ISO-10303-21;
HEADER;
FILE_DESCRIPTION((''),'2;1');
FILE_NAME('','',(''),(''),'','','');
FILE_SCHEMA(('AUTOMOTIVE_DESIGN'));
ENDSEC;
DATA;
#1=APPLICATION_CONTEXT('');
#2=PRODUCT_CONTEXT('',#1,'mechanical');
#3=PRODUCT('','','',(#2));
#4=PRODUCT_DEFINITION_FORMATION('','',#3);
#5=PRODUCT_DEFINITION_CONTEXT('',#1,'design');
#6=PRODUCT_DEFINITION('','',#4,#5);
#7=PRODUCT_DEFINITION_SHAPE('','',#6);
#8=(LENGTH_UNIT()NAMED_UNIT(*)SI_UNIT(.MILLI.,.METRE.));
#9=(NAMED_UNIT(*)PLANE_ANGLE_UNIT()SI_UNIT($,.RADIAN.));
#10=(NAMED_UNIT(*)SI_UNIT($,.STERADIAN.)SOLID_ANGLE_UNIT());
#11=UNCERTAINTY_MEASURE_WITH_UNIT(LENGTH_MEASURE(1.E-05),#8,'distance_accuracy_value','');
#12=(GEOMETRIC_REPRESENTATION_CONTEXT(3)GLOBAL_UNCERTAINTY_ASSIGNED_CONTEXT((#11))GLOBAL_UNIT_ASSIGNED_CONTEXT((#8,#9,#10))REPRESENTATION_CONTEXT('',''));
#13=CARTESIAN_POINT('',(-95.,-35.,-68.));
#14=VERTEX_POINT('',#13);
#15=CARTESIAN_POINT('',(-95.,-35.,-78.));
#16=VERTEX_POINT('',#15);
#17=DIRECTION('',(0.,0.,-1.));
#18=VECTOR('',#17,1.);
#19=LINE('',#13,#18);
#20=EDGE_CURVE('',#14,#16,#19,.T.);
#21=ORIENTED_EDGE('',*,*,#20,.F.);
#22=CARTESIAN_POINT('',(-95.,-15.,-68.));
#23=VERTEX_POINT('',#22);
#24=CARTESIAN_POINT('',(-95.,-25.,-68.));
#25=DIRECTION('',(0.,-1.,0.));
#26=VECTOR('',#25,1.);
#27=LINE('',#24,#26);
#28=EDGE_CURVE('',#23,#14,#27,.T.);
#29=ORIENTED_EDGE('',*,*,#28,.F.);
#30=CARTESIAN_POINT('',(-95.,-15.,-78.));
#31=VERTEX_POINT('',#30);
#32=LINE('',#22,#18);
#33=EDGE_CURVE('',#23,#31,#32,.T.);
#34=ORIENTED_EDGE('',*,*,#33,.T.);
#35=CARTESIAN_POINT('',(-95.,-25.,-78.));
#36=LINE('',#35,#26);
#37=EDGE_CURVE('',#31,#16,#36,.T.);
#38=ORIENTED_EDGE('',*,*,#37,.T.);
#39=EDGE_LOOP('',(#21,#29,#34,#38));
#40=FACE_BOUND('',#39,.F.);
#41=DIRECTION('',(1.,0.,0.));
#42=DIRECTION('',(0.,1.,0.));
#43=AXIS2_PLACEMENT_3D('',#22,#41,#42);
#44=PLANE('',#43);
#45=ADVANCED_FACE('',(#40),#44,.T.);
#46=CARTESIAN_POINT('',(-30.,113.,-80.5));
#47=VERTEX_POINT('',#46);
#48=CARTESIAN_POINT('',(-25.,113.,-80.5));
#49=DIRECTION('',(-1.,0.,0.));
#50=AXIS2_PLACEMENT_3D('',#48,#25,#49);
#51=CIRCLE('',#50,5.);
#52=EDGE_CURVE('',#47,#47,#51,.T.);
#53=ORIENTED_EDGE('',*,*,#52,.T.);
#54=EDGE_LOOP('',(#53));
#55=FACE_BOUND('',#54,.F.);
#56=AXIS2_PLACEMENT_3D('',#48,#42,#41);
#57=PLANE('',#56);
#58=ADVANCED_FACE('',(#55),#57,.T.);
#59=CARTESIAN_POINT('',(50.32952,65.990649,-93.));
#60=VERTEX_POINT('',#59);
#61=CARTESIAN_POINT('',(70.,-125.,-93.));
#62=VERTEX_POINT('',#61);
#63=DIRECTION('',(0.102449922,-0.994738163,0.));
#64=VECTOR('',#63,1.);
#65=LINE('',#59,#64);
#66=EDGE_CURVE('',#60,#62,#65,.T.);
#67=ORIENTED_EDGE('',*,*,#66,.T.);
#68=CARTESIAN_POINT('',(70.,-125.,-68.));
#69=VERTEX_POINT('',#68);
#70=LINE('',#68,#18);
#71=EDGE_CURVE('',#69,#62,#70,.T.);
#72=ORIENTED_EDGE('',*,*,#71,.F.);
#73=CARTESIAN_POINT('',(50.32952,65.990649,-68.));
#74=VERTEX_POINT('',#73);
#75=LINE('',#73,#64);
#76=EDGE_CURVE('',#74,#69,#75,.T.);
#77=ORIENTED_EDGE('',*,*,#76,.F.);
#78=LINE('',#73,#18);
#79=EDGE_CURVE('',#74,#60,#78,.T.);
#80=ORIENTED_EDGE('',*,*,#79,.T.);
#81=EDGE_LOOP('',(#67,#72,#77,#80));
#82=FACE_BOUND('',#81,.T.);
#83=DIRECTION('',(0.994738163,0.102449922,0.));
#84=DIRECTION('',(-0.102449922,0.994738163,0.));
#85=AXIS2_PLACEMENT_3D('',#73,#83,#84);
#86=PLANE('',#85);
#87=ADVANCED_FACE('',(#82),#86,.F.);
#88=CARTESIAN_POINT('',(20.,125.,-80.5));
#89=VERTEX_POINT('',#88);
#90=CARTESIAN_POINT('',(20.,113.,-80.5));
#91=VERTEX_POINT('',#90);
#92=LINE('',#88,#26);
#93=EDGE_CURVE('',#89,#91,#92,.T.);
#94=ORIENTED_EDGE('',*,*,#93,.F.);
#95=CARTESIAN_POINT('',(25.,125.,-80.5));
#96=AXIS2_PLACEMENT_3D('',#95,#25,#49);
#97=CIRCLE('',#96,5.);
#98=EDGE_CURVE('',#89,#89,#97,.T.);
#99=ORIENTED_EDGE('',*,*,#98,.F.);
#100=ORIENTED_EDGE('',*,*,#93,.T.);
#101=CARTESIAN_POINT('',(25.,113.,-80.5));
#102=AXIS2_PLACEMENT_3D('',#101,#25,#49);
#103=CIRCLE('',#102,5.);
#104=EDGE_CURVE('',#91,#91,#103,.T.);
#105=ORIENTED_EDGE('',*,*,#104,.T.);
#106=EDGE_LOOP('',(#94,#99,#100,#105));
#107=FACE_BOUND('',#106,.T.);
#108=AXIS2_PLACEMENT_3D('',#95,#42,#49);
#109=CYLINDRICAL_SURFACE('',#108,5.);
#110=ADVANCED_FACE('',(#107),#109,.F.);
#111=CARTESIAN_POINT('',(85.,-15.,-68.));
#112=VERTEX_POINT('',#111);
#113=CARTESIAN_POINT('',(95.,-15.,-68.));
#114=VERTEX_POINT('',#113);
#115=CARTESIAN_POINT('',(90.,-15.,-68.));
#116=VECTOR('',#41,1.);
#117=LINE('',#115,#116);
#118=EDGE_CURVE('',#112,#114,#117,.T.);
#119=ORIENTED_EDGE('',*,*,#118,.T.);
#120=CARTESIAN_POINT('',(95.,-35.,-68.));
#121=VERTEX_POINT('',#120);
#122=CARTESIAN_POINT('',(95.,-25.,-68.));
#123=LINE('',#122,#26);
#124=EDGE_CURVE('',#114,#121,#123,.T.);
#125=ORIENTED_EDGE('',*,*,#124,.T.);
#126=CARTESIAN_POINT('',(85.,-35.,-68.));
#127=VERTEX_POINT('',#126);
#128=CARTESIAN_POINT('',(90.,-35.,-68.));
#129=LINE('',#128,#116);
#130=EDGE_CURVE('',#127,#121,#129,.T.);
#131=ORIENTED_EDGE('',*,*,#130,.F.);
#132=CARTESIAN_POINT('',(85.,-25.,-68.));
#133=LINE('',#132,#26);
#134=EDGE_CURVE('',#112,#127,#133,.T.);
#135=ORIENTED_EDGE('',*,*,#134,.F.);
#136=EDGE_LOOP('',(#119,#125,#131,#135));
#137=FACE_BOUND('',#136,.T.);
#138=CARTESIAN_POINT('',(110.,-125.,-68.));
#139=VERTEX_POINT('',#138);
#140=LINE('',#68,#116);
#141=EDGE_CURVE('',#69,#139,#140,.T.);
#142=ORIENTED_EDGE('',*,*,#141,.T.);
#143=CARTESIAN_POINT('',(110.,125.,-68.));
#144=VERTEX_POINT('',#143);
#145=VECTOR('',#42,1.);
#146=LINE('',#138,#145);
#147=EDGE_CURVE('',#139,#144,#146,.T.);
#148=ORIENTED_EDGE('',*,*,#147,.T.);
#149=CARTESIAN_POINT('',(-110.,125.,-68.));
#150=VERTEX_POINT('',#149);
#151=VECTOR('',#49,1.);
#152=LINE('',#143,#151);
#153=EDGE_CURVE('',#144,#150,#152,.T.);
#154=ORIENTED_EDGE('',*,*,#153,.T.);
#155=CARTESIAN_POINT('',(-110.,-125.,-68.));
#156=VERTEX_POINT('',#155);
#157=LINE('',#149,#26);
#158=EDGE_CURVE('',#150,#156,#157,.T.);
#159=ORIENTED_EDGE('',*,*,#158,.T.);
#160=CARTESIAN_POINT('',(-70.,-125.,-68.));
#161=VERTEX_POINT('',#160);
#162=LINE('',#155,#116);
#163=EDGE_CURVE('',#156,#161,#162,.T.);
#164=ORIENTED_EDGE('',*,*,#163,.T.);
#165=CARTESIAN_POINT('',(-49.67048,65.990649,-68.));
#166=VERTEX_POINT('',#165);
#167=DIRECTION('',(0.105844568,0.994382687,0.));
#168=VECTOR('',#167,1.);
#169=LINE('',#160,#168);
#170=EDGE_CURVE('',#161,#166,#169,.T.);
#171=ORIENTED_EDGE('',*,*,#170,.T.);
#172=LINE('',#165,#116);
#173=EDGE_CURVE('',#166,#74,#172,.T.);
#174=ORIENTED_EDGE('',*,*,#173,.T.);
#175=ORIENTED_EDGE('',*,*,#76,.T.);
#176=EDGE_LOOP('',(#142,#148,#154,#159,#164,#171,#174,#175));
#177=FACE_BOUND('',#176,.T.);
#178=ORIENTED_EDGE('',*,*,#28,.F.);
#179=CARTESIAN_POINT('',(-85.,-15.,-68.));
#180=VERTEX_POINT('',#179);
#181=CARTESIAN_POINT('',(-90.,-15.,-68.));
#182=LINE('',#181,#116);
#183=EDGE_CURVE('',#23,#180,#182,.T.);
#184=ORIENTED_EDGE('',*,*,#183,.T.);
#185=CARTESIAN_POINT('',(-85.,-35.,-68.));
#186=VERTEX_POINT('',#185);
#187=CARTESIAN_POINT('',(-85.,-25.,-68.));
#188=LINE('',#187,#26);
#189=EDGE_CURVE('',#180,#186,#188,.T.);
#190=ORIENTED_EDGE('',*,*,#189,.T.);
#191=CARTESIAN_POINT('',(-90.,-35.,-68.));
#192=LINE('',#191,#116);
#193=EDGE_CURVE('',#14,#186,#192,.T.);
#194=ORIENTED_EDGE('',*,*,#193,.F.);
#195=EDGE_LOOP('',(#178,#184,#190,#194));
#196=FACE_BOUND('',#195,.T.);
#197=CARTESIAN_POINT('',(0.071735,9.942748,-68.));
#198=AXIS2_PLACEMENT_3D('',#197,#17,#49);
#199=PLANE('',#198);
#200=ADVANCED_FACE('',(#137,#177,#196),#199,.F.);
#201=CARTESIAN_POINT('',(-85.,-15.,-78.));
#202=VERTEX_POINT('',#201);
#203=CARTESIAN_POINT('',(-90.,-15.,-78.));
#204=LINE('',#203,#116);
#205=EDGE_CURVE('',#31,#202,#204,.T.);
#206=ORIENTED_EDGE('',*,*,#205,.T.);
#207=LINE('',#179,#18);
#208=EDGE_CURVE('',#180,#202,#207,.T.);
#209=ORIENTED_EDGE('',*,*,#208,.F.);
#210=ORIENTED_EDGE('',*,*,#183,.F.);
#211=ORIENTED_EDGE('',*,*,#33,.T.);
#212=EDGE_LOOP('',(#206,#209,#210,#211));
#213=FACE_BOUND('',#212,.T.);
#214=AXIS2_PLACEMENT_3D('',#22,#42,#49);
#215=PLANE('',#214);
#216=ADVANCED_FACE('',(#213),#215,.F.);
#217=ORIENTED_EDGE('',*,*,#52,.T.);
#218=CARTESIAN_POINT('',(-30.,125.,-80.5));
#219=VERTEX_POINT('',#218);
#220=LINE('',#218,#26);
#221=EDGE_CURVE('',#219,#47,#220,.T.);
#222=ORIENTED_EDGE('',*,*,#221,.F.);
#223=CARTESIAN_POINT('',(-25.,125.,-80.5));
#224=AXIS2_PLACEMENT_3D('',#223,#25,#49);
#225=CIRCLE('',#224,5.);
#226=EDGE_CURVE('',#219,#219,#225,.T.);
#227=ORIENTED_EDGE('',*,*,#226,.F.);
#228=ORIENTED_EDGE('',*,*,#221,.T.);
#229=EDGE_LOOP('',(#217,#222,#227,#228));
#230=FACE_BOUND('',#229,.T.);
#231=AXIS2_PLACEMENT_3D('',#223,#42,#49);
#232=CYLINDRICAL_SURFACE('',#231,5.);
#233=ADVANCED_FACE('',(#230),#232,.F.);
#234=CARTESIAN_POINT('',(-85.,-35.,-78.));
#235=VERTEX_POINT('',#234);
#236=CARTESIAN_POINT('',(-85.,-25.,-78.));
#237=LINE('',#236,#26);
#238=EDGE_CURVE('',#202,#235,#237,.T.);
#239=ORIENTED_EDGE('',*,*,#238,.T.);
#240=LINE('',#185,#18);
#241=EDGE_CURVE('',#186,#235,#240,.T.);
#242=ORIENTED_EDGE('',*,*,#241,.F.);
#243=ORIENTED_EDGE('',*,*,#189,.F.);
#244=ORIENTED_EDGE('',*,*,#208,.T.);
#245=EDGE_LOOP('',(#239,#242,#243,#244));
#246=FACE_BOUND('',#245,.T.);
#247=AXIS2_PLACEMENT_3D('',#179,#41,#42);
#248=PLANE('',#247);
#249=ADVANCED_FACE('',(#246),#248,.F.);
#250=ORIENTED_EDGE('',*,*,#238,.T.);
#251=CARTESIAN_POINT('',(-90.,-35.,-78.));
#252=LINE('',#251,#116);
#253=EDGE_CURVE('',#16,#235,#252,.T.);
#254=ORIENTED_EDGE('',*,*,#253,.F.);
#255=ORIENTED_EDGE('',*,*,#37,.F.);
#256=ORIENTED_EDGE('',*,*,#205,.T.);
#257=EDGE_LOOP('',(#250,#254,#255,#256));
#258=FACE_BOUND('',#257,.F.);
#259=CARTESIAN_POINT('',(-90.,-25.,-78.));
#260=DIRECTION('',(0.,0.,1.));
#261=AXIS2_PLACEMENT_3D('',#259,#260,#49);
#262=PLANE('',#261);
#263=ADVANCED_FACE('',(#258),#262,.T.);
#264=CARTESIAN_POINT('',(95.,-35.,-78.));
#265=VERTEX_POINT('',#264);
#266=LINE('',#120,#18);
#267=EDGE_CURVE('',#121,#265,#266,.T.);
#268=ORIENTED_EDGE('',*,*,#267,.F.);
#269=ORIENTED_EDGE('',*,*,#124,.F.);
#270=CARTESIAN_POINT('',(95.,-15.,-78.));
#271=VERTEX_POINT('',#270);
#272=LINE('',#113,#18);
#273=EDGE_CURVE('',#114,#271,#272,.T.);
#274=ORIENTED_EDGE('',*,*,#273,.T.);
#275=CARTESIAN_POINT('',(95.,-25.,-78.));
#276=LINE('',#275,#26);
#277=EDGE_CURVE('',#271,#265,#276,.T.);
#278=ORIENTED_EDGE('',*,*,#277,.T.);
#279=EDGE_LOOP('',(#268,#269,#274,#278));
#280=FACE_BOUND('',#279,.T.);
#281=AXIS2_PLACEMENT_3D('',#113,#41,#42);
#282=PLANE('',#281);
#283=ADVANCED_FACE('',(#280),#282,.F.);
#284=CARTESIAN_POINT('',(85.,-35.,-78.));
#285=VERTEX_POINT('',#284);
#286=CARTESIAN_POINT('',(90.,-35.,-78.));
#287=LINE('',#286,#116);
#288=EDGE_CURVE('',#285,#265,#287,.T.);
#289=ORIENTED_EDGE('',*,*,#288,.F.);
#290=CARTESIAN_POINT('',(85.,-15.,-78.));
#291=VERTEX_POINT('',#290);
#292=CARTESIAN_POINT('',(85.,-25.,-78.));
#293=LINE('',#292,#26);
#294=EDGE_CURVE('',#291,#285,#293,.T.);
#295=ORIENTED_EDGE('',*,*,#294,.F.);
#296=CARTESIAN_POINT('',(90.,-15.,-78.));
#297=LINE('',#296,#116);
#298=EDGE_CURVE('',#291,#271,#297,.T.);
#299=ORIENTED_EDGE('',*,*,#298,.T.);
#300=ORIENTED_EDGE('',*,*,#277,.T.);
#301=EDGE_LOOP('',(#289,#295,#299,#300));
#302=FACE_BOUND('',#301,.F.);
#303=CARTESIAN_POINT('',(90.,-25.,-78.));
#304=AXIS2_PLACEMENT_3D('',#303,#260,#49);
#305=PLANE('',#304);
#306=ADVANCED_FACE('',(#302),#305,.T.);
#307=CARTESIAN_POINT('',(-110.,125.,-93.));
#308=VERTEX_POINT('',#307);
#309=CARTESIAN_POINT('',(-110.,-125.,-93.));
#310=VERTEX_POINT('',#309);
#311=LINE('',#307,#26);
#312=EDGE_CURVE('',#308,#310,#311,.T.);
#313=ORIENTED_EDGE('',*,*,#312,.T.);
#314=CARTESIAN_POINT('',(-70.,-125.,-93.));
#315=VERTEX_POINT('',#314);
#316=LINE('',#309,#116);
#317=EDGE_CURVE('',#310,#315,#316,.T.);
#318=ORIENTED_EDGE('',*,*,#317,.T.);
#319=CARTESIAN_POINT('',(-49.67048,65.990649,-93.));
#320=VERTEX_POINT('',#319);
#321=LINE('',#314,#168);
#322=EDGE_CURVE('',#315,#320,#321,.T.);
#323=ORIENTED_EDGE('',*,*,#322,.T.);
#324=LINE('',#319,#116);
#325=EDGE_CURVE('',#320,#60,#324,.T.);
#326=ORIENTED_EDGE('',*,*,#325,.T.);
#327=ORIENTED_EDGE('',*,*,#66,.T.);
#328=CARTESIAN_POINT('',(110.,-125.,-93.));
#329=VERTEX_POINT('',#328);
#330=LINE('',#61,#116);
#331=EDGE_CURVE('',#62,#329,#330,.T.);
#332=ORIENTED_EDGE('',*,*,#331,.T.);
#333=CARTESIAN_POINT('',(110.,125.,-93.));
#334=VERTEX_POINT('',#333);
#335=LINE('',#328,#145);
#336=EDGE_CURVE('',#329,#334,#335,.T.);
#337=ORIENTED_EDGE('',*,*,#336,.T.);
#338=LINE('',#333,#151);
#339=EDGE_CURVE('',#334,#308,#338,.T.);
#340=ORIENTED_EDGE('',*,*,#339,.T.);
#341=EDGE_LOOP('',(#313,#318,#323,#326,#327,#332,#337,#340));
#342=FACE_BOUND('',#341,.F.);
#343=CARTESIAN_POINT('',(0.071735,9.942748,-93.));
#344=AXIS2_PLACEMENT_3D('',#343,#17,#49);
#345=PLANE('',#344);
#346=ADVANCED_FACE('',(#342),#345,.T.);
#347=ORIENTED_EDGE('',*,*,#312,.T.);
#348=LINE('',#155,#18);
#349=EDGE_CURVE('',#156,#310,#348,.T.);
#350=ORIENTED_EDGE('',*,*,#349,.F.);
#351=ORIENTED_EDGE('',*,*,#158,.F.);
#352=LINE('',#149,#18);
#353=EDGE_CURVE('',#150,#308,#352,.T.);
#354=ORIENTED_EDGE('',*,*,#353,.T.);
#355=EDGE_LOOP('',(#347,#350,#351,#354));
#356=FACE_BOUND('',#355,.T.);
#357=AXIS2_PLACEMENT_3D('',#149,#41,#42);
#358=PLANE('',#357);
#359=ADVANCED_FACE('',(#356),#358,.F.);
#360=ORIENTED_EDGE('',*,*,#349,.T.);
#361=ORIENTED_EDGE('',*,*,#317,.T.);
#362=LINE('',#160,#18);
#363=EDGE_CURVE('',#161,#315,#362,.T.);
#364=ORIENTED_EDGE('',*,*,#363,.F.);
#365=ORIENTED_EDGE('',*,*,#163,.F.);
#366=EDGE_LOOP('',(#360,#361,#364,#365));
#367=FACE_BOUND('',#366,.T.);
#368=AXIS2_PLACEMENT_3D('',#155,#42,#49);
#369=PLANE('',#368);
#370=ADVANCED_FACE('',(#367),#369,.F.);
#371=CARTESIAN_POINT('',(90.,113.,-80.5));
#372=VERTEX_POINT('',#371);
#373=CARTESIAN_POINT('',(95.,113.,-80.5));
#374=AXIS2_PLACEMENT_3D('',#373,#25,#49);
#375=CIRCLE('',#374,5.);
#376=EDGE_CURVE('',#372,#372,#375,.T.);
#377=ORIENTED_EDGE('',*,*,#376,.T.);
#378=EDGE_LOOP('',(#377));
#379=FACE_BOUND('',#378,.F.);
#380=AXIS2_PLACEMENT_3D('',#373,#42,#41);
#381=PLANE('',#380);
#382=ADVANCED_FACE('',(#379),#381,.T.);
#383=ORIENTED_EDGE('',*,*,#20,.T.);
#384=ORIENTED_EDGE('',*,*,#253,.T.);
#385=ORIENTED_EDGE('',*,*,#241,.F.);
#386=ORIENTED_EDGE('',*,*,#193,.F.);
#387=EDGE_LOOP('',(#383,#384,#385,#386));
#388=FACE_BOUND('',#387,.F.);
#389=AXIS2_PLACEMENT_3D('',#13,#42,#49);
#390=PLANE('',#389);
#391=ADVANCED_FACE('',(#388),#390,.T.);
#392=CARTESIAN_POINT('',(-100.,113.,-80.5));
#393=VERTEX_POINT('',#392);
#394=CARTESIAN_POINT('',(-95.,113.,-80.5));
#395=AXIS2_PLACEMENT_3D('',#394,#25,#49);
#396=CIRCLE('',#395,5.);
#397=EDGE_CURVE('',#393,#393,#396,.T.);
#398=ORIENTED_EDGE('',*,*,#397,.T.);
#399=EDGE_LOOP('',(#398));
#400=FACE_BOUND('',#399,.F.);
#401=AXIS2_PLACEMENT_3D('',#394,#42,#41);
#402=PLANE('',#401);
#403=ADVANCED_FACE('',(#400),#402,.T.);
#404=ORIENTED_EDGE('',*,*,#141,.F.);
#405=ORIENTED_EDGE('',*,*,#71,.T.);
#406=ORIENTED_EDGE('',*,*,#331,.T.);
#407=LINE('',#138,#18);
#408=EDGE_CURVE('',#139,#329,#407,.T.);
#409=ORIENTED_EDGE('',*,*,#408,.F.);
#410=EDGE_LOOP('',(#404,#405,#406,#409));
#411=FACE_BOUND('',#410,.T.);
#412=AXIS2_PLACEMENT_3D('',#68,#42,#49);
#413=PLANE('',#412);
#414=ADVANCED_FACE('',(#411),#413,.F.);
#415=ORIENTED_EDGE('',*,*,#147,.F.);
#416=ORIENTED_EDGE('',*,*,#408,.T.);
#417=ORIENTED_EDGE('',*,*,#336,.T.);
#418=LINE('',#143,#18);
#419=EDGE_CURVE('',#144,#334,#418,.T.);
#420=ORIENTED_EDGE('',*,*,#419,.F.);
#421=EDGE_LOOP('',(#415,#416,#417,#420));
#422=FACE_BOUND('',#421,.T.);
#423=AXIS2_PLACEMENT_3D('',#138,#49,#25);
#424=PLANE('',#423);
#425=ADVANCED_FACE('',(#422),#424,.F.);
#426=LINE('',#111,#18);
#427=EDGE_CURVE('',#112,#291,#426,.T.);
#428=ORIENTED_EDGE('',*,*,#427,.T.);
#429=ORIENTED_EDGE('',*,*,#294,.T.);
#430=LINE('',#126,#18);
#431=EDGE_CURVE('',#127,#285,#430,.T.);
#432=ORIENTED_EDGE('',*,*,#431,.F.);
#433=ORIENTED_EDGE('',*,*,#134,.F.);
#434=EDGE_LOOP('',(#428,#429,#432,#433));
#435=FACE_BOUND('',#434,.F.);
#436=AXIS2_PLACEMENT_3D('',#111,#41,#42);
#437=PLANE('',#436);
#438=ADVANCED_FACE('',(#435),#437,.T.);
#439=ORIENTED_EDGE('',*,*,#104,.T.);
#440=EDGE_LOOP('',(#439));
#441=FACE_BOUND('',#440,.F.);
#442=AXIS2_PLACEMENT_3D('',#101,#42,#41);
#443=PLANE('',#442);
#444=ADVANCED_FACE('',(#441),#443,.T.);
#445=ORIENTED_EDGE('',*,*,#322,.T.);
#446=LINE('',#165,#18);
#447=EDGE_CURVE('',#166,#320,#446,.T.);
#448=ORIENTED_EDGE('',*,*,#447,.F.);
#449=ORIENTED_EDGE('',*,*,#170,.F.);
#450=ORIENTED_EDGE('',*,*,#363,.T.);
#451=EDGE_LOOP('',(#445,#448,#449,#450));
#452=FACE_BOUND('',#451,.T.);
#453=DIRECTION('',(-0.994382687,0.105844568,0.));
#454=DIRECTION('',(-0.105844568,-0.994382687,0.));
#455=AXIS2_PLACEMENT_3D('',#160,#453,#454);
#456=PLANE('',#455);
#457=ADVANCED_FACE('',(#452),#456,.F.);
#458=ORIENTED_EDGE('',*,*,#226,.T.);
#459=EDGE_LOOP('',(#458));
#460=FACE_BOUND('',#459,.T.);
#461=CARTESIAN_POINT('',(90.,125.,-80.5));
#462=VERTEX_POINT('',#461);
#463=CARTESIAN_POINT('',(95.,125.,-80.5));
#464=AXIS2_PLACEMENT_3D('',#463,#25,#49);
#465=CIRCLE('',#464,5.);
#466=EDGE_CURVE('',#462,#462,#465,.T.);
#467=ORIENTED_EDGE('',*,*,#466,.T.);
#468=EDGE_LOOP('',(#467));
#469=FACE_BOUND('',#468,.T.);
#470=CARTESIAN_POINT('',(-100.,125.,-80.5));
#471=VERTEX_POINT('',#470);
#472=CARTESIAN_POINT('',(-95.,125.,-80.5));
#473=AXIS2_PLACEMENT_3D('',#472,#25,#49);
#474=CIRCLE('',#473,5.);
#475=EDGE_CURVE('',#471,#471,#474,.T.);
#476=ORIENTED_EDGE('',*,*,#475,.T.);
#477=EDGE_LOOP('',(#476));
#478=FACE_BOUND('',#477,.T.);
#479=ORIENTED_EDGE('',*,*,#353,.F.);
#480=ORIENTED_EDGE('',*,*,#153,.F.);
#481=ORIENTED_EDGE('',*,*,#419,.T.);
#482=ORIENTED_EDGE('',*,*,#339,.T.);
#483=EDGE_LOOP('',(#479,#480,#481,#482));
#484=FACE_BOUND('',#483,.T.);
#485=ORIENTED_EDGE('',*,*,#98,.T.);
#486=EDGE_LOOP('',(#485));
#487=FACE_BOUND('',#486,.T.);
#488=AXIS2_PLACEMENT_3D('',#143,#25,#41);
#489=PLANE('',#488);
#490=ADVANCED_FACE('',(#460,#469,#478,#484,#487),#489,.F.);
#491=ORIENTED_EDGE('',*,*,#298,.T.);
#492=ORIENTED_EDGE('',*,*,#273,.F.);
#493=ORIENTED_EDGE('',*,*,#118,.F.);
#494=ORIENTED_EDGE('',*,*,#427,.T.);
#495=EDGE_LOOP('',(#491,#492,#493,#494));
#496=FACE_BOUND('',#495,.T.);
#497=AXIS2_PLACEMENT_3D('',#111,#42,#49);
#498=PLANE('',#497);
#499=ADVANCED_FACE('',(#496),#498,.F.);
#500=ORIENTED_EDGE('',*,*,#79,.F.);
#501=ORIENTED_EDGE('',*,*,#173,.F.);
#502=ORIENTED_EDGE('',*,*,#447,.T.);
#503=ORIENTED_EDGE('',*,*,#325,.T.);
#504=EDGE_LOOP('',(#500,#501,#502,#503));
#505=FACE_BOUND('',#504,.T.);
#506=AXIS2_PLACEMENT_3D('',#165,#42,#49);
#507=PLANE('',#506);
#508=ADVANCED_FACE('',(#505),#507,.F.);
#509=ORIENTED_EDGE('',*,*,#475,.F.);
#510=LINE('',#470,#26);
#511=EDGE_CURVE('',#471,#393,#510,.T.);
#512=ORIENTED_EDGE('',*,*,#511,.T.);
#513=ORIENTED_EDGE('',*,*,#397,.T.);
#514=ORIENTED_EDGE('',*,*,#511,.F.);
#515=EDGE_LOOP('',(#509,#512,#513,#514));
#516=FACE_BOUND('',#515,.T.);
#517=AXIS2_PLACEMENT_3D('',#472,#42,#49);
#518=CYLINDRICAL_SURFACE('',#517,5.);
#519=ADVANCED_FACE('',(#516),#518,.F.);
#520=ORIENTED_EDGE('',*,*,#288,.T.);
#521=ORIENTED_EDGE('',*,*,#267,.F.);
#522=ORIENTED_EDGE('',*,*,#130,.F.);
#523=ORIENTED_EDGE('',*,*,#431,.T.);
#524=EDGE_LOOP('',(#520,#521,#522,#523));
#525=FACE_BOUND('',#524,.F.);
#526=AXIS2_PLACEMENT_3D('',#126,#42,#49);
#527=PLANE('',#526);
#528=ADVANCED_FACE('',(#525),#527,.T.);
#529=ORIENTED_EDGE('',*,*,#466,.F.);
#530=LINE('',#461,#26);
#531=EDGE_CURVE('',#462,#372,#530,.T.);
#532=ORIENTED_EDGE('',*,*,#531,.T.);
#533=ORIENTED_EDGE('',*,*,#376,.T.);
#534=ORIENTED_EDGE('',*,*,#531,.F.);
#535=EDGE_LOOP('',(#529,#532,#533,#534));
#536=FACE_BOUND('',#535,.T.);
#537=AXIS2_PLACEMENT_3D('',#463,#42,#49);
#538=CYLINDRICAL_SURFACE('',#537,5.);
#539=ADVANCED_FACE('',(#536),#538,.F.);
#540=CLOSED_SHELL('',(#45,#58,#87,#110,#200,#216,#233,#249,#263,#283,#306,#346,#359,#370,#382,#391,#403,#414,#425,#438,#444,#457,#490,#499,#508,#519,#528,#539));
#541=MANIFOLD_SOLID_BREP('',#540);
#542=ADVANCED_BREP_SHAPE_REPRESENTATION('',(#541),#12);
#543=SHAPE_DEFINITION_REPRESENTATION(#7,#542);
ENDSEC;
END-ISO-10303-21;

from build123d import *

# Parameters (mm, degrees)
F1_DEPTH = 25
F2_R     = 5
F3_DEPTH = 12
F4_W     = 10
F4_H     = 20
F5_DEPTH = 10


with BuildPart() as f1:
    # F0 (on Top) → F1 (new body)
    with BuildSketch(Plane.XY):
        Polygon((110, -125), (110, 125), (-110, 125), (-110, -125), (-70, -125), (-49.67048, 65.990649), (50.32952, 65.990649), (70, -125), align=None)
    extrude(amount=F1_DEPTH)

    # F2 (on face) → F3 (cut)
    with BuildSketch(Plane(origin=(0, 125, 0), x_dir=(-1, 0, 0), z_dir=(0, 1, 0))):
        with Locations((95, 12.5)):
            Circle(F2_R)
        with Locations((25, 12.5)):
            Circle(F2_R)
        with Locations((-25, 12.5)):
            Circle(F2_R)
        with Locations((-95, 12.5)):
            Circle(F2_R)
    extrude(amount=-F3_DEPTH, mode=Mode.SUBTRACT)

    # F4 (on face) → F5 (cut)
    with BuildSketch(Plane(origin=(0, 0, 0), x_dir=(1, 0, 0), z_dir=(0, 0, -1))):
        with Locations((-90, 25)):
            Rectangle(F4_W, F4_H)
        with Locations((90, 25)):
            Rectangle(F4_W, F4_H)
    extrude(amount=-F5_DEPTH, mode=Mode.SUBTRACT)


with BuildPart() as f7_1:
    # F7: instance of F1
    add(f1.part.mirror(Plane.XY.offset(-34)))


solid = f7_1.part
